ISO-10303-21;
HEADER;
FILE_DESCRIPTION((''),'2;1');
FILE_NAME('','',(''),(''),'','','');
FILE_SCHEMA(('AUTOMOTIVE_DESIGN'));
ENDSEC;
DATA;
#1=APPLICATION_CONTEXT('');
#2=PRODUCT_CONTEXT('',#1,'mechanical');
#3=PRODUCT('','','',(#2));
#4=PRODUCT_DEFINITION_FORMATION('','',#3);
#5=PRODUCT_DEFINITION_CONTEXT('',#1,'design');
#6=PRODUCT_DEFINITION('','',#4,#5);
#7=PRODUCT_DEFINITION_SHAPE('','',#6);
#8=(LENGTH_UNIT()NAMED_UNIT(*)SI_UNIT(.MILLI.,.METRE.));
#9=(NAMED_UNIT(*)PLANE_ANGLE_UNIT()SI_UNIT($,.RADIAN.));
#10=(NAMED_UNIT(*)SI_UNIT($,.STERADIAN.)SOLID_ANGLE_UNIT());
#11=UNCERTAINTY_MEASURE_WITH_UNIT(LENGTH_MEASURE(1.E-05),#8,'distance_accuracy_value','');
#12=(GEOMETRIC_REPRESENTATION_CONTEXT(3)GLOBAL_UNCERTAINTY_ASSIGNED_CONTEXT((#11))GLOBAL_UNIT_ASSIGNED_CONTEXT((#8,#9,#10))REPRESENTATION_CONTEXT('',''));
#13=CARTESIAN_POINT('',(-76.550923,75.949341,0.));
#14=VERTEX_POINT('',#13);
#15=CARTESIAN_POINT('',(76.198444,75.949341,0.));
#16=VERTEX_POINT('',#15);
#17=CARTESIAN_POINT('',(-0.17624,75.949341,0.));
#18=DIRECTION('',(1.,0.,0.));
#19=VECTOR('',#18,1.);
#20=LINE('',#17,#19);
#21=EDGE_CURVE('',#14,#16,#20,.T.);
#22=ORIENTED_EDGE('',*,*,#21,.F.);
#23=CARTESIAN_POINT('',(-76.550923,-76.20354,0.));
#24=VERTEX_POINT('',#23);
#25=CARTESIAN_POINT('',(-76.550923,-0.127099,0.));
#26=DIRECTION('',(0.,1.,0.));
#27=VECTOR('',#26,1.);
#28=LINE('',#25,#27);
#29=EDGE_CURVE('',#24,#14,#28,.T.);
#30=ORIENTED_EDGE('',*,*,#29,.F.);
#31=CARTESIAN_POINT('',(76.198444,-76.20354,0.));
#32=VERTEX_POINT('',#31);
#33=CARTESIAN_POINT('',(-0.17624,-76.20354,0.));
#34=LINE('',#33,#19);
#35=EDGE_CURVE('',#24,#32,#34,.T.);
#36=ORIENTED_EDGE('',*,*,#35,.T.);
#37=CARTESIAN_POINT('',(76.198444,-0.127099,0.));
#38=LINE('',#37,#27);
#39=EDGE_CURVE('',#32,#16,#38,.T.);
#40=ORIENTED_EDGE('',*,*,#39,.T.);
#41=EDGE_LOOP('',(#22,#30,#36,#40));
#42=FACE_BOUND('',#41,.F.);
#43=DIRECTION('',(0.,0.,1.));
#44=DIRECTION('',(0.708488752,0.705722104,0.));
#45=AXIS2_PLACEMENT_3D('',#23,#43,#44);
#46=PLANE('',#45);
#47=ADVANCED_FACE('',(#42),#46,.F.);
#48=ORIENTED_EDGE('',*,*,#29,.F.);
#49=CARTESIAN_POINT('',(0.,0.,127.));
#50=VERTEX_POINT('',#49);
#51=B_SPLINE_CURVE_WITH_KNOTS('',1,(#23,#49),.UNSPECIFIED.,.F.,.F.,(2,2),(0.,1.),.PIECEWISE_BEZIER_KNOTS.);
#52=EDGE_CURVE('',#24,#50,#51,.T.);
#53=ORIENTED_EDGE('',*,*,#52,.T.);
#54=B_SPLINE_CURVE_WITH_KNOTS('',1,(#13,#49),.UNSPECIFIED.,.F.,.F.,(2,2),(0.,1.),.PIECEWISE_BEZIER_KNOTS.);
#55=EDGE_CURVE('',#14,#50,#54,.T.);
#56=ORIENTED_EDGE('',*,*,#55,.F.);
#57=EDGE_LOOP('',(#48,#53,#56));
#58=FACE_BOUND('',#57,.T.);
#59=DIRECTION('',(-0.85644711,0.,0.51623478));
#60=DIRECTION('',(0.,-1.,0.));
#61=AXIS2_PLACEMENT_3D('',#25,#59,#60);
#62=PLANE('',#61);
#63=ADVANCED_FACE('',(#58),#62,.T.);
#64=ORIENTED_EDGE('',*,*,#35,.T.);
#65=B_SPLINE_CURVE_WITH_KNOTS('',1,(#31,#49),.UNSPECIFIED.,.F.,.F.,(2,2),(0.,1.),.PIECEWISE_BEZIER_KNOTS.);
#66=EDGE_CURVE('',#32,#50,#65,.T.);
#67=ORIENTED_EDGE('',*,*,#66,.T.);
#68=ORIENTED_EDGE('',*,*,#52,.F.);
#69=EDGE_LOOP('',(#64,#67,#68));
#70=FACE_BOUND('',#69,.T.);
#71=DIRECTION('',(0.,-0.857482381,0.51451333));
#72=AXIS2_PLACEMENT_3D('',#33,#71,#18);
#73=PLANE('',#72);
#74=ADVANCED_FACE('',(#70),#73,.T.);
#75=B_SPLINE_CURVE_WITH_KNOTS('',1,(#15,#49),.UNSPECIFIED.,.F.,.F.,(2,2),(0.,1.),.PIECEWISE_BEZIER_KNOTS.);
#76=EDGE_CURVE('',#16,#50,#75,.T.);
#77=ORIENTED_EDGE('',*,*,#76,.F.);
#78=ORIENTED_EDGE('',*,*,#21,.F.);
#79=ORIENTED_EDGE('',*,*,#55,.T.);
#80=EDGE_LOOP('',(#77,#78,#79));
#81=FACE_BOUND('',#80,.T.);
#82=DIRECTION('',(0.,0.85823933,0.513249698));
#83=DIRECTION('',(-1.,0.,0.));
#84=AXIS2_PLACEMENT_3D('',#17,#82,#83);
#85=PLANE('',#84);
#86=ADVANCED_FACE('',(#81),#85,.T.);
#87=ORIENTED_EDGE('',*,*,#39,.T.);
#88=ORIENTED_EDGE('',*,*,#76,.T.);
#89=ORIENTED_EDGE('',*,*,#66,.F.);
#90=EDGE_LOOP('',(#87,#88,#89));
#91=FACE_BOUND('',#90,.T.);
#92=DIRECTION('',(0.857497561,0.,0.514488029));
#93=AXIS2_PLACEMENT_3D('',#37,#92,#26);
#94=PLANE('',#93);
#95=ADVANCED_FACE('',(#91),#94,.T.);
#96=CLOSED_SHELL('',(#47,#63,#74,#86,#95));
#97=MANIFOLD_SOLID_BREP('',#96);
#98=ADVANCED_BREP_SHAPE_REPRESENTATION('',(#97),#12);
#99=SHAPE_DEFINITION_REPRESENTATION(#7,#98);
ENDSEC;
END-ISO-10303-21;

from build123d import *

# Parameters (mm, degrees)
F0_W = 152.7493670583
F0_H = 152.1528810263


with BuildPart() as f3:
    # F0 (on Top) → F3 section 0
    with BuildSketch(Plane.XY, mode=Mode.PRIVATE) as f3_s0:
        with Locations((-0.1762397587, -0.1270994544)):
            Rectangle(F0_W, F0_H)
    loft([f3_s0.sketch, Vertex(0, 0, 127)])


solid = f3.part
